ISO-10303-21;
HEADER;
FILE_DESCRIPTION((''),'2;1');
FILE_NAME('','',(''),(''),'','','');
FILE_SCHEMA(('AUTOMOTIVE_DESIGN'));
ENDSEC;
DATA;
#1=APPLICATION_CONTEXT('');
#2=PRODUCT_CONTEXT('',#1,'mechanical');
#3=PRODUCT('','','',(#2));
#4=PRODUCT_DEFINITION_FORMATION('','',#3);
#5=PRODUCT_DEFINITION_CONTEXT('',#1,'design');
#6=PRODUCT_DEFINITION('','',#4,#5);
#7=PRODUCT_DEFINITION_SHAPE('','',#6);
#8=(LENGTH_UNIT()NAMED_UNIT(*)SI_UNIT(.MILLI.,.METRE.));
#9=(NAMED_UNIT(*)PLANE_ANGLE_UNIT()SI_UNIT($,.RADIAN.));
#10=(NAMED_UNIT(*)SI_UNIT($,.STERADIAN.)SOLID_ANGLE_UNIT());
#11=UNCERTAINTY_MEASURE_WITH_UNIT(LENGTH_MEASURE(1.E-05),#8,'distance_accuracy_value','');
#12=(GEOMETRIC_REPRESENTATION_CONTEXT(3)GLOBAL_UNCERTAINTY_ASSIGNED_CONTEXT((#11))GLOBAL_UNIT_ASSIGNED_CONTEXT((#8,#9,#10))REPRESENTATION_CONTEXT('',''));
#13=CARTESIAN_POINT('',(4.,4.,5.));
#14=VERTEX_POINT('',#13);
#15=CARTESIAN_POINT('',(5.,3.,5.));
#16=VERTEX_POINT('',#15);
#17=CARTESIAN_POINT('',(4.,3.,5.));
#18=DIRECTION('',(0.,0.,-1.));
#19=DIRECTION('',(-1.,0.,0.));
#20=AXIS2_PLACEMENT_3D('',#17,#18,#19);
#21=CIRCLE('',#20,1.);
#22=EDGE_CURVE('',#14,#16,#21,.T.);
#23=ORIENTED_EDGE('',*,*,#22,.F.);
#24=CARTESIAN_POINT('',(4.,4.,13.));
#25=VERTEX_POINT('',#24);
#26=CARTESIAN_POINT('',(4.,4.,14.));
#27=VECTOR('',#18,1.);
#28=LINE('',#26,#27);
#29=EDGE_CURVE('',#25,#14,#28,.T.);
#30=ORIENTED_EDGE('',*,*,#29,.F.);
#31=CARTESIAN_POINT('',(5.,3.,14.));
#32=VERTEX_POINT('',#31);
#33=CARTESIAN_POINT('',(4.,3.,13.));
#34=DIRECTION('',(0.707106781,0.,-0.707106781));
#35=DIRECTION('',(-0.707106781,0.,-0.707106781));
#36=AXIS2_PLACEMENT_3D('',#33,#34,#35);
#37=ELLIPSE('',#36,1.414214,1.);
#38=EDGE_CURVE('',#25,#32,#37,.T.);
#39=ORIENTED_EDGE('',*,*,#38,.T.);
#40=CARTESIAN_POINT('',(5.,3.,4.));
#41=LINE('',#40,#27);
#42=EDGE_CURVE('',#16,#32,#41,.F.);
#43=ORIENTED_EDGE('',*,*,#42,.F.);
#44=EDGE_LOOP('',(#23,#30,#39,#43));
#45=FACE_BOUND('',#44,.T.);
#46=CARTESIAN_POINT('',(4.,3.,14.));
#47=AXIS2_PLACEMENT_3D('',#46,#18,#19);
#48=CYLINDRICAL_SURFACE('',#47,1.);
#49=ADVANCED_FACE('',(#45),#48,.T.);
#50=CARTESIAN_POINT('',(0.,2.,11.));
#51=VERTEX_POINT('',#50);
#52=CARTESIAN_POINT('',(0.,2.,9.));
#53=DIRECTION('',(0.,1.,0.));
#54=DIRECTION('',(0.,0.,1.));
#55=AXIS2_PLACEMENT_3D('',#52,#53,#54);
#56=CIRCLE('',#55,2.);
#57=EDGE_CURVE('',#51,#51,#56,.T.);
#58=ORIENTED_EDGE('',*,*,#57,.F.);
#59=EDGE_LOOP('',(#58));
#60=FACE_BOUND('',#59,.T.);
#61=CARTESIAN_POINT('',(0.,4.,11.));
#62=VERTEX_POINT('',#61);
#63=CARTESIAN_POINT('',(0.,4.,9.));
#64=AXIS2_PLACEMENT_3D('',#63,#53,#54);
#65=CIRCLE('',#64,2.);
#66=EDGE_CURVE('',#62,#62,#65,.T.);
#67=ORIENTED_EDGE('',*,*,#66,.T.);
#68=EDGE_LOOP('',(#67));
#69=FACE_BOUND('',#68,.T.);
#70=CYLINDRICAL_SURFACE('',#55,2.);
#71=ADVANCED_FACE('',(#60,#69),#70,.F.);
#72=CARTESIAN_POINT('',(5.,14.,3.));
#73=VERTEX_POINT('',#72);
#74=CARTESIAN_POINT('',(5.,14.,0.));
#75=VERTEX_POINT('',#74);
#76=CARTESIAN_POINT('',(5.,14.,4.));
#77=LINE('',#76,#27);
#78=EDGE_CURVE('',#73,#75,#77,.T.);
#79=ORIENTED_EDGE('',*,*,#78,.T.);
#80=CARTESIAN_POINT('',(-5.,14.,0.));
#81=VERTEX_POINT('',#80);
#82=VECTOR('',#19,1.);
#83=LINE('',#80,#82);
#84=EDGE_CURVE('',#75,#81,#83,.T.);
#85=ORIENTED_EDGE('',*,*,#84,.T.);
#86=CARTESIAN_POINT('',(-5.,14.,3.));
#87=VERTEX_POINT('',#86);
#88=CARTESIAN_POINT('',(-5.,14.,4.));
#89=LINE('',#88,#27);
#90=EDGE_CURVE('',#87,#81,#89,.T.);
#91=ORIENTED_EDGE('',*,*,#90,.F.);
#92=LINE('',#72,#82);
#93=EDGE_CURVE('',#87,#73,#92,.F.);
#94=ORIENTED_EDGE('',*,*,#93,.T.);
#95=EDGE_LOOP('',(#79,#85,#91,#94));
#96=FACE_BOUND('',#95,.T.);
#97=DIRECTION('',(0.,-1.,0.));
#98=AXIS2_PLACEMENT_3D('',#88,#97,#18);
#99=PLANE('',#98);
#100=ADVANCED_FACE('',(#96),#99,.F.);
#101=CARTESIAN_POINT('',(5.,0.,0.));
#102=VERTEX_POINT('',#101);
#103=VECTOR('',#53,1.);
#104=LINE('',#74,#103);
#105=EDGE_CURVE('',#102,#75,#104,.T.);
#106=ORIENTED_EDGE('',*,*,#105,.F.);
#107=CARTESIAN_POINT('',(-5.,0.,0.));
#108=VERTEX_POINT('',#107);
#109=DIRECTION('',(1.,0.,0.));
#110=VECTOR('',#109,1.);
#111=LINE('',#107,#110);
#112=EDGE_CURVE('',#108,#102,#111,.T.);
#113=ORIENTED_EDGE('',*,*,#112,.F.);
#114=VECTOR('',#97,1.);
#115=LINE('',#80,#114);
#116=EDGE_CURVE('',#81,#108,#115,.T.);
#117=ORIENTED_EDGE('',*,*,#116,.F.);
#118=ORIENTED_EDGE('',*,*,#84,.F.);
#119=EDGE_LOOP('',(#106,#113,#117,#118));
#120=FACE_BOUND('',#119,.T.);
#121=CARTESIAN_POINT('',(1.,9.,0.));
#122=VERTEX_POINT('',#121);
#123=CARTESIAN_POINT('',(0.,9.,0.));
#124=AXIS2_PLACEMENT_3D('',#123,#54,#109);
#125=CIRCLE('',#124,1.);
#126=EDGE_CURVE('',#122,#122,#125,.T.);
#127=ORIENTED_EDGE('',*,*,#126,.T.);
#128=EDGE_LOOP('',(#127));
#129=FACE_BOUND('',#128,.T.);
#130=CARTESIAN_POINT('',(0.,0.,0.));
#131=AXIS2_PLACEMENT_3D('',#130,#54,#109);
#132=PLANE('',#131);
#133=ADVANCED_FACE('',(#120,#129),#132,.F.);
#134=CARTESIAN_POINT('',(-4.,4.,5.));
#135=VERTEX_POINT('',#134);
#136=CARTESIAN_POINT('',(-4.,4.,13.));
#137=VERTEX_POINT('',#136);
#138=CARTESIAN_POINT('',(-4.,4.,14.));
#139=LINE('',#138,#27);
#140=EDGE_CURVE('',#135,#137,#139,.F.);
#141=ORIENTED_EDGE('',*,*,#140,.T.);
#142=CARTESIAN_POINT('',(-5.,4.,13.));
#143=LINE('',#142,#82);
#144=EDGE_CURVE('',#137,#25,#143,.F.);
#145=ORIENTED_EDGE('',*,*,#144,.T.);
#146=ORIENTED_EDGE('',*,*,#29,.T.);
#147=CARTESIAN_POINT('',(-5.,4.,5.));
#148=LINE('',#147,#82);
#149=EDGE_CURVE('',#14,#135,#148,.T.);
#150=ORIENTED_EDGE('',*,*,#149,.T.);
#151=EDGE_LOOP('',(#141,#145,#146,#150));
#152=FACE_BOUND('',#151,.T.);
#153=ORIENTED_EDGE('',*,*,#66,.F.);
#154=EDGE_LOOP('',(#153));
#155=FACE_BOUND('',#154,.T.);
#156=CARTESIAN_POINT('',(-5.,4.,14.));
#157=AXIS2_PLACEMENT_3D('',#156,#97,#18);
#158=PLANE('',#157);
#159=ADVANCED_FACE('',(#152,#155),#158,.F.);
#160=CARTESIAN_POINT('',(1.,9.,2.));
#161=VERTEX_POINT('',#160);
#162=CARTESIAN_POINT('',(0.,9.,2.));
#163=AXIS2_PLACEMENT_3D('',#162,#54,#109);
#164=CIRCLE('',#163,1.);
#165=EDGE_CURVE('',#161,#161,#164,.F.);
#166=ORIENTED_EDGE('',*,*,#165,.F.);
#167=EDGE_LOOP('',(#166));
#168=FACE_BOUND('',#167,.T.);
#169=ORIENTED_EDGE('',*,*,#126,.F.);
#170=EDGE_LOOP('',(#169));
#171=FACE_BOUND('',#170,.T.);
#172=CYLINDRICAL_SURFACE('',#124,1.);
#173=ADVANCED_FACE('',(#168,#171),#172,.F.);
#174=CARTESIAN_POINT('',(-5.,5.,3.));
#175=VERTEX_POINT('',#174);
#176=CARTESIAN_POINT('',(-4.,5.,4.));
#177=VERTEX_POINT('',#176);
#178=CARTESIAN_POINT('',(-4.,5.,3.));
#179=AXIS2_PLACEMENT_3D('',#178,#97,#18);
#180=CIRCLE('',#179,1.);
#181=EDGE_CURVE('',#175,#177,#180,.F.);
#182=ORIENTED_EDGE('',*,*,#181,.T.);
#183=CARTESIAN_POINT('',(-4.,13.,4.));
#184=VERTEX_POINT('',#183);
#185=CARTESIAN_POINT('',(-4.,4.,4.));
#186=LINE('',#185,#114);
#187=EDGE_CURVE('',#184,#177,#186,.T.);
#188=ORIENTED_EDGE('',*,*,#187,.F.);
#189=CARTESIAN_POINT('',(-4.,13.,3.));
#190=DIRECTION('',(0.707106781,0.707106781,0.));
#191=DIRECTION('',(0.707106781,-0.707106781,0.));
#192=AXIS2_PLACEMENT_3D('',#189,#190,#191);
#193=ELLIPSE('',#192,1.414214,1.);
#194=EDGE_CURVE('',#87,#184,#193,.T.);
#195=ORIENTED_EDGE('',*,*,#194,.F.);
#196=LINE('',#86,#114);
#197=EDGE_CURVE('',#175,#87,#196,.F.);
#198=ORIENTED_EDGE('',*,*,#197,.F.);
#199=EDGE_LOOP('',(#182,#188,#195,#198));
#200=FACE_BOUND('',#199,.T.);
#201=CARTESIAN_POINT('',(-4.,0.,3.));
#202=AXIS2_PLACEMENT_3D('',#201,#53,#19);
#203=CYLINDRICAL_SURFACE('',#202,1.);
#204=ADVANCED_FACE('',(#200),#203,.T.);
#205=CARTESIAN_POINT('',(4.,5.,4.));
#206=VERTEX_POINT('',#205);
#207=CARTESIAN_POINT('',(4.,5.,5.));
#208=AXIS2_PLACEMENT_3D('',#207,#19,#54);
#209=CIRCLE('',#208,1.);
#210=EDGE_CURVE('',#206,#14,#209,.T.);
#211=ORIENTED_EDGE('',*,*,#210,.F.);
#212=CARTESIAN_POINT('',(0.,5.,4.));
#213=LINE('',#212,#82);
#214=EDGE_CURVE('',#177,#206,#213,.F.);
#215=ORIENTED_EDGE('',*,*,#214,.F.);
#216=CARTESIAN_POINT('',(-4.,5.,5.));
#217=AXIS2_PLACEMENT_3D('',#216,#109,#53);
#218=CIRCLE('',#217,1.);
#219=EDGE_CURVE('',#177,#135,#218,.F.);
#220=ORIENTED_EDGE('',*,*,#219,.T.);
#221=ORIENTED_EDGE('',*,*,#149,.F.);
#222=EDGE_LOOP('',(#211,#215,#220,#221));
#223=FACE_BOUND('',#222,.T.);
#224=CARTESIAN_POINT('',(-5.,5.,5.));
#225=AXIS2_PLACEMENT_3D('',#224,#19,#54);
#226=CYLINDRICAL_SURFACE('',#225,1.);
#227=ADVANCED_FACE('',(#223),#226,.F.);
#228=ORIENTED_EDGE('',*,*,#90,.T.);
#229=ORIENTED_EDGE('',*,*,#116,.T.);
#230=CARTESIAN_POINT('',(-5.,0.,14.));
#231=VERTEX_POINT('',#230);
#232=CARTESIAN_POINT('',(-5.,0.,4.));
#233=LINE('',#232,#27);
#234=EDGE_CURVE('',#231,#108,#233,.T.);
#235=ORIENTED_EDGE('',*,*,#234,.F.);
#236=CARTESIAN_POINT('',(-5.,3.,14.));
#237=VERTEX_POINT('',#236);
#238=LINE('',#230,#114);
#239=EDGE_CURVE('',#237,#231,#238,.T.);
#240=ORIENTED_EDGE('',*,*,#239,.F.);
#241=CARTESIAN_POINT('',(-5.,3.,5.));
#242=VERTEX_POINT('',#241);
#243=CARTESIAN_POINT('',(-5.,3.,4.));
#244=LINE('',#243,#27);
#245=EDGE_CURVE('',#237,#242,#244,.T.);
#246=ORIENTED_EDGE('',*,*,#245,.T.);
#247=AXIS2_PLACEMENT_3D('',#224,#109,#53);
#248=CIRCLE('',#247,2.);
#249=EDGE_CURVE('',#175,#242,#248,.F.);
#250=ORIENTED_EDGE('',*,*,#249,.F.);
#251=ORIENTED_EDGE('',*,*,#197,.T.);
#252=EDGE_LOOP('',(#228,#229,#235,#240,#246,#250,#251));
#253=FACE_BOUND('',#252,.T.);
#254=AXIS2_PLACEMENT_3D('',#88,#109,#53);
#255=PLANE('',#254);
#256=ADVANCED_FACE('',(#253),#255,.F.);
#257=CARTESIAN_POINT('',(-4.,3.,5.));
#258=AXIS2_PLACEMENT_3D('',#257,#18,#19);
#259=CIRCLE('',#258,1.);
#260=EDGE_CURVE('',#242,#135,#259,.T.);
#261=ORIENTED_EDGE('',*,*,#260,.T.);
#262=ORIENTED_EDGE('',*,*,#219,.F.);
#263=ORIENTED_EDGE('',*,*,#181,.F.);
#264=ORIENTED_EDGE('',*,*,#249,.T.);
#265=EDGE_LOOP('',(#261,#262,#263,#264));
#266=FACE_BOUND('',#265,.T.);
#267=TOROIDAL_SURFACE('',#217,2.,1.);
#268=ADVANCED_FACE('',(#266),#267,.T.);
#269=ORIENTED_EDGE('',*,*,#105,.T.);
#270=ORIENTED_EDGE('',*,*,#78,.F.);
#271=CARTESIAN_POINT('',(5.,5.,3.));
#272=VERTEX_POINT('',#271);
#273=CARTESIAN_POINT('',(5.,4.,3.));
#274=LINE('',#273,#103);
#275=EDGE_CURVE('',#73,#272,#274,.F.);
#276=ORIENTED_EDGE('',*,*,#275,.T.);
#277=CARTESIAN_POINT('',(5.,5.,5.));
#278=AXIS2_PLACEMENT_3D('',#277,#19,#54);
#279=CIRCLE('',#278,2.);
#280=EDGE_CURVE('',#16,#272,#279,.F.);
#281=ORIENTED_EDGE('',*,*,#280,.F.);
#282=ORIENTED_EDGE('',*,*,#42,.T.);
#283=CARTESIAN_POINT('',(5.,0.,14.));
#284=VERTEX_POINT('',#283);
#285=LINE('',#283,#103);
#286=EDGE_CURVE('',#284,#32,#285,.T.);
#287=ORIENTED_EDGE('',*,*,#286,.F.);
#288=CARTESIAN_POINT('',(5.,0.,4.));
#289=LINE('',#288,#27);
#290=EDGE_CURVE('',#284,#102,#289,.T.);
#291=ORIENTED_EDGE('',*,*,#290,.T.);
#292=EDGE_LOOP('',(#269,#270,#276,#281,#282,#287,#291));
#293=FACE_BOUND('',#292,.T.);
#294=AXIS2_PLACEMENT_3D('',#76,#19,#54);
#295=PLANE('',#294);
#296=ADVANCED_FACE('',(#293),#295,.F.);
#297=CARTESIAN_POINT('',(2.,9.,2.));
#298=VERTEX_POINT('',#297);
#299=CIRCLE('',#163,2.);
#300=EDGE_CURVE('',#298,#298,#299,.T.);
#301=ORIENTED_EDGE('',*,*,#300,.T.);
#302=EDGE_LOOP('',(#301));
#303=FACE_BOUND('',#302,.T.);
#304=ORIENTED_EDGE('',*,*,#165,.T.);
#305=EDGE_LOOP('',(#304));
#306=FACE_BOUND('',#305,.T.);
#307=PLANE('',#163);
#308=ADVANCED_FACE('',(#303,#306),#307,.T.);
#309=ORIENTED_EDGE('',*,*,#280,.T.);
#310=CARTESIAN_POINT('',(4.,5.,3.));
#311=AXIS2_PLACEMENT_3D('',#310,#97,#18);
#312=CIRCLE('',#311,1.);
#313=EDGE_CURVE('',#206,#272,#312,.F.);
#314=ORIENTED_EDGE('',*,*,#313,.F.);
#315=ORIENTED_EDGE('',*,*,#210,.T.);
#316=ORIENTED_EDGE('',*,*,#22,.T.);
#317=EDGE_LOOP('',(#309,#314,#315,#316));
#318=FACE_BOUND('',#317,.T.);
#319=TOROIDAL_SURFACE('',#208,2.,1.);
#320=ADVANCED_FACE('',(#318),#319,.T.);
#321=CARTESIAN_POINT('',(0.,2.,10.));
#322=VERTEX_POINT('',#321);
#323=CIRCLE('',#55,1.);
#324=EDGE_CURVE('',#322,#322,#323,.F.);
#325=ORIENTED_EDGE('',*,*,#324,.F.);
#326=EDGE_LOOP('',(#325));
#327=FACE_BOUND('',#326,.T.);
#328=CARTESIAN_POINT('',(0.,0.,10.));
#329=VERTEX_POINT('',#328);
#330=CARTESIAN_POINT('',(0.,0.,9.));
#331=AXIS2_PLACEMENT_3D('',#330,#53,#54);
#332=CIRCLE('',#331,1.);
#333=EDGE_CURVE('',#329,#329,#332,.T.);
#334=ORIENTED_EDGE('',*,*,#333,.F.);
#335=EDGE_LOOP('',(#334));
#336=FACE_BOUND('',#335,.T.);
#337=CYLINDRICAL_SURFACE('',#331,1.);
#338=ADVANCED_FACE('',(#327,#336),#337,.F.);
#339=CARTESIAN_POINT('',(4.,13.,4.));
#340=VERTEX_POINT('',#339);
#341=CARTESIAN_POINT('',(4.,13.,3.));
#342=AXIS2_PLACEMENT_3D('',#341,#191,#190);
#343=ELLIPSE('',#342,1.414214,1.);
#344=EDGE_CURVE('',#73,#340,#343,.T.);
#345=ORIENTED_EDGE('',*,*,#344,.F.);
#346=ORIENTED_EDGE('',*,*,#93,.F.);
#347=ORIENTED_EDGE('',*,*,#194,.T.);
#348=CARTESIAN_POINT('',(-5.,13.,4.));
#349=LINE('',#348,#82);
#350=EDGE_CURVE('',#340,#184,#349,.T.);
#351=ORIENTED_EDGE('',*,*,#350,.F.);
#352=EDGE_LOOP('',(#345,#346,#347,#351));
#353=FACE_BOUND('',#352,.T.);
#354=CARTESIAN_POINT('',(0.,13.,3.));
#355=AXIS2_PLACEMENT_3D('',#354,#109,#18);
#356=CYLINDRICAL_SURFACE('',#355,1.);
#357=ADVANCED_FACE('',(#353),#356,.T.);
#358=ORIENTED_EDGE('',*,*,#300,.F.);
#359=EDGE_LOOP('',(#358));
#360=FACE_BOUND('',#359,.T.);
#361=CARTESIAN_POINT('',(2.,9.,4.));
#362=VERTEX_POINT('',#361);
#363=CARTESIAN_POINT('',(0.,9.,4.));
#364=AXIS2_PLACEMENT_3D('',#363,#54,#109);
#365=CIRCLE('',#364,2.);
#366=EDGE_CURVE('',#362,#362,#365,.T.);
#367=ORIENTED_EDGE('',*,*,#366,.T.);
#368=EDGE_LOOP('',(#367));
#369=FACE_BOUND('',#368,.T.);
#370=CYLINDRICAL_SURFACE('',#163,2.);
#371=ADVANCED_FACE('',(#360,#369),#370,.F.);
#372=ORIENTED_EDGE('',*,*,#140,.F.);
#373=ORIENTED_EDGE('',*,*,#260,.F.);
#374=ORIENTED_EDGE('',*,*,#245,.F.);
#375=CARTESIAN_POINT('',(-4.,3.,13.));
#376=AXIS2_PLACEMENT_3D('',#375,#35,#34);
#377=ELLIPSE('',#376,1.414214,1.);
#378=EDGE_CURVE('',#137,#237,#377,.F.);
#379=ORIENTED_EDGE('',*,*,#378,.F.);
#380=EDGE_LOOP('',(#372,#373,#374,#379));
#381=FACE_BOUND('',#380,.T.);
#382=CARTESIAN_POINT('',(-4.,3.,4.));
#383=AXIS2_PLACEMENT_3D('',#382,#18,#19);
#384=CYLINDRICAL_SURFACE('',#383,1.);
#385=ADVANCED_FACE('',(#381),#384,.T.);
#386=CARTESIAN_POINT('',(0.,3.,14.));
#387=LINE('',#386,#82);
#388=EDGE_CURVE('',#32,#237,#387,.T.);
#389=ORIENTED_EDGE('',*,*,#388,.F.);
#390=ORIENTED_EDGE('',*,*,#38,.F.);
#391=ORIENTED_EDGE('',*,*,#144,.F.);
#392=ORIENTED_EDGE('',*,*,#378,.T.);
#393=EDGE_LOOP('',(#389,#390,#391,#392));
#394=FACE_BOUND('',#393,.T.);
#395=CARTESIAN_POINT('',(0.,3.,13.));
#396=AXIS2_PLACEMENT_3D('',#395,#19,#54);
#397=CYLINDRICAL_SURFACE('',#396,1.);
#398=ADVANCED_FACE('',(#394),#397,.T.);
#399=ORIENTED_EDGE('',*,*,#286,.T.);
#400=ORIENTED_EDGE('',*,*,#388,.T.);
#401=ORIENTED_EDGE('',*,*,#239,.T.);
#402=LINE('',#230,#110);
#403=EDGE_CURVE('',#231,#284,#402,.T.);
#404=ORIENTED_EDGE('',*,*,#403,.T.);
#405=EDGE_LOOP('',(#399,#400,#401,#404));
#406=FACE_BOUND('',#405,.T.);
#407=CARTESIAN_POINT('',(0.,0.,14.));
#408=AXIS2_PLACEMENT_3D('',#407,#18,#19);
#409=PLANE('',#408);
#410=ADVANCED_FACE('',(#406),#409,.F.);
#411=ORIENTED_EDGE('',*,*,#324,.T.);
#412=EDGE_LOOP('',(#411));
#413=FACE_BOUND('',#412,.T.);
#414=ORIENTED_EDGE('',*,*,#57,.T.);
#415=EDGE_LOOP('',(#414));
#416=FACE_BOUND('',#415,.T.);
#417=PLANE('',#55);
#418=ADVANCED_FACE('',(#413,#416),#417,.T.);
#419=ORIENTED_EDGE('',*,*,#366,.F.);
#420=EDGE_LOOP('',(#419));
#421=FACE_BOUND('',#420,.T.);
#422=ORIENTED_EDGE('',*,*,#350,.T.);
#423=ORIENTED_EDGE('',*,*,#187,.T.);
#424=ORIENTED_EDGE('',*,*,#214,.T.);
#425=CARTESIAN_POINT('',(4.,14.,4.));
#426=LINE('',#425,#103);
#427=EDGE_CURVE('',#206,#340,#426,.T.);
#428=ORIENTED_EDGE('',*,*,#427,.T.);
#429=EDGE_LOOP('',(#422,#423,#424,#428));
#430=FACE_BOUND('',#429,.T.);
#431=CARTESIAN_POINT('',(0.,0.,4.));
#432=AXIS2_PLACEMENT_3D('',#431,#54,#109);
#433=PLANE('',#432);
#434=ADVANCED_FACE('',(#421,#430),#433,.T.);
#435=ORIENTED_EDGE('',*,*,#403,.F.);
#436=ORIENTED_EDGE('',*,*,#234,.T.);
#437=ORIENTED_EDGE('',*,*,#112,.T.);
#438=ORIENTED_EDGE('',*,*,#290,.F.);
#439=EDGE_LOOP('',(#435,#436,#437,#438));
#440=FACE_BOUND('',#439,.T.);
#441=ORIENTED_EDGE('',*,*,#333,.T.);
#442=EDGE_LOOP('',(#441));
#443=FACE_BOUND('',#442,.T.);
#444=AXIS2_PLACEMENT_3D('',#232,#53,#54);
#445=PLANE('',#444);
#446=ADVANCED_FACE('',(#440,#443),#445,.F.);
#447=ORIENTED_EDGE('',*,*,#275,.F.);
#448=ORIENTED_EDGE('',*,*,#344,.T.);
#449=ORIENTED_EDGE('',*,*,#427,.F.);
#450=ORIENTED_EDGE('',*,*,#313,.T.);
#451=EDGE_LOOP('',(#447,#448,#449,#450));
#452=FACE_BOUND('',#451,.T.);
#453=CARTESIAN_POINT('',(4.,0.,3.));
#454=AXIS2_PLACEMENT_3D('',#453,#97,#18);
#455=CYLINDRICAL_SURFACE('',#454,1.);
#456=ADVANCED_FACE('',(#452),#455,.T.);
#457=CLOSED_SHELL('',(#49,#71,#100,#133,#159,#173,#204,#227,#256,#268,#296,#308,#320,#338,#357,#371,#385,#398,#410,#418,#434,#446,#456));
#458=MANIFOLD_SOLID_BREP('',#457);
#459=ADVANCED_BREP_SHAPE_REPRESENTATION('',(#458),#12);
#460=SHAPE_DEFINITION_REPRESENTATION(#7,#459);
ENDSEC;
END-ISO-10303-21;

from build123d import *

# Parameters (mm, degrees)
ESQUISSE1_W             = 10
ESQUISSE1_H             = 14
BOSS_EXTRU_1_DEPTH      = 4
ESQUISSE2_W             = 10
ESQUISSE2_H             = 4
BOSS_EXTRU_2_DEPTH      = 10
ESQUISSE3_R             = 1
ENL_V_MAT_EXTRU_1_DEPTH = 5
CONG_1_R                = 1
ESQUISSE4_R             = 1
ENL_V_MAT_EXTRU_2_DEPTH = 5
ESQUISSE5_R             = 2
ENL_V_MAT_EXTRU_3_DEPTH = 2
ESQUISSE6_R             = 2
ENL_V_MAT_EXTRU_4_DEPTH = 2


with BuildPart() as part:
    # Esquisse1 → Boss.-Extru.1 (new body)
    with BuildSketch(Plane.XY):
        with Locations((0, 7)):
            Rectangle(ESQUISSE1_W, ESQUISSE1_H)
    extrude(amount=BOSS_EXTRU_1_DEPTH)

    # Esquisse2 → Boss.-Extru.2 (add)
    with BuildSketch(Plane.XY.offset(4)):
        with Locations((0, 2)):
            Rectangle(ESQUISSE2_W, ESQUISSE2_H)
    extrude(amount=BOSS_EXTRU_2_DEPTH)

    # Esquisse3 → Enlèv. mat.-Extru.1 (cut, through all)
    with BuildSketch(Plane.XY.offset(4)):
        with Locations((0, 9)):
            Circle(ESQUISSE3_R)
    extrude(amount=-ENL_V_MAT_EXTRU_1_DEPTH, mode=Mode.SUBTRACT)

    # Congé1
    cong_1_edges = [part.edges().sort_by_distance(p)[0] for p in [
        (5, 9, 4),
        (-5, 4, 9),
        (0, 4, 4),
        (5, 4, 9),
        (0, 14, 4),
        (0, 4, 14),
        (-5, 9, 4),
    ]]
    fillet(cong_1_edges, radius=CONG_1_R)

    # Esquisse4 → Enlèv. mat.-Extru.2 (cut, through all)
    with BuildSketch(Plane(origin=(0, 4, 0), x_dir=(1, 0, 0), z_dir=(0, 1, 0))):
        with Locations(Location((0, -9, 0), (0, 0, 270))):  # turned: the seam where the file's is
            Circle(ESQUISSE4_R)
    extrude(amount=-ENL_V_MAT_EXTRU_2_DEPTH, mode=Mode.SUBTRACT)

    # Esquisse5 → Enlèv. mat.-Extru.3 (cut)
    with BuildSketch(Plane.XY.offset(4)):
        with Locations((0, 9)):
            Circle(ESQUISSE5_R)
    extrude(amount=-ENL_V_MAT_EXTRU_3_DEPTH, mode=Mode.SUBTRACT)

    # Esquisse6 → Enlèv. mat.-Extru.4 (cut)
    with BuildSketch(Plane(origin=(0, 4, 0), x_dir=(1, 0, 0), z_dir=(0, 1, 0))):
        with Locations(Location((0, -9, 0), (0, 0, 270))):  # turned: the seam where the file's is
            Circle(ESQUISSE6_R)
    extrude(amount=-ENL_V_MAT_EXTRU_4_DEPTH, mode=Mode.SUBTRACT)


solid = part.part
